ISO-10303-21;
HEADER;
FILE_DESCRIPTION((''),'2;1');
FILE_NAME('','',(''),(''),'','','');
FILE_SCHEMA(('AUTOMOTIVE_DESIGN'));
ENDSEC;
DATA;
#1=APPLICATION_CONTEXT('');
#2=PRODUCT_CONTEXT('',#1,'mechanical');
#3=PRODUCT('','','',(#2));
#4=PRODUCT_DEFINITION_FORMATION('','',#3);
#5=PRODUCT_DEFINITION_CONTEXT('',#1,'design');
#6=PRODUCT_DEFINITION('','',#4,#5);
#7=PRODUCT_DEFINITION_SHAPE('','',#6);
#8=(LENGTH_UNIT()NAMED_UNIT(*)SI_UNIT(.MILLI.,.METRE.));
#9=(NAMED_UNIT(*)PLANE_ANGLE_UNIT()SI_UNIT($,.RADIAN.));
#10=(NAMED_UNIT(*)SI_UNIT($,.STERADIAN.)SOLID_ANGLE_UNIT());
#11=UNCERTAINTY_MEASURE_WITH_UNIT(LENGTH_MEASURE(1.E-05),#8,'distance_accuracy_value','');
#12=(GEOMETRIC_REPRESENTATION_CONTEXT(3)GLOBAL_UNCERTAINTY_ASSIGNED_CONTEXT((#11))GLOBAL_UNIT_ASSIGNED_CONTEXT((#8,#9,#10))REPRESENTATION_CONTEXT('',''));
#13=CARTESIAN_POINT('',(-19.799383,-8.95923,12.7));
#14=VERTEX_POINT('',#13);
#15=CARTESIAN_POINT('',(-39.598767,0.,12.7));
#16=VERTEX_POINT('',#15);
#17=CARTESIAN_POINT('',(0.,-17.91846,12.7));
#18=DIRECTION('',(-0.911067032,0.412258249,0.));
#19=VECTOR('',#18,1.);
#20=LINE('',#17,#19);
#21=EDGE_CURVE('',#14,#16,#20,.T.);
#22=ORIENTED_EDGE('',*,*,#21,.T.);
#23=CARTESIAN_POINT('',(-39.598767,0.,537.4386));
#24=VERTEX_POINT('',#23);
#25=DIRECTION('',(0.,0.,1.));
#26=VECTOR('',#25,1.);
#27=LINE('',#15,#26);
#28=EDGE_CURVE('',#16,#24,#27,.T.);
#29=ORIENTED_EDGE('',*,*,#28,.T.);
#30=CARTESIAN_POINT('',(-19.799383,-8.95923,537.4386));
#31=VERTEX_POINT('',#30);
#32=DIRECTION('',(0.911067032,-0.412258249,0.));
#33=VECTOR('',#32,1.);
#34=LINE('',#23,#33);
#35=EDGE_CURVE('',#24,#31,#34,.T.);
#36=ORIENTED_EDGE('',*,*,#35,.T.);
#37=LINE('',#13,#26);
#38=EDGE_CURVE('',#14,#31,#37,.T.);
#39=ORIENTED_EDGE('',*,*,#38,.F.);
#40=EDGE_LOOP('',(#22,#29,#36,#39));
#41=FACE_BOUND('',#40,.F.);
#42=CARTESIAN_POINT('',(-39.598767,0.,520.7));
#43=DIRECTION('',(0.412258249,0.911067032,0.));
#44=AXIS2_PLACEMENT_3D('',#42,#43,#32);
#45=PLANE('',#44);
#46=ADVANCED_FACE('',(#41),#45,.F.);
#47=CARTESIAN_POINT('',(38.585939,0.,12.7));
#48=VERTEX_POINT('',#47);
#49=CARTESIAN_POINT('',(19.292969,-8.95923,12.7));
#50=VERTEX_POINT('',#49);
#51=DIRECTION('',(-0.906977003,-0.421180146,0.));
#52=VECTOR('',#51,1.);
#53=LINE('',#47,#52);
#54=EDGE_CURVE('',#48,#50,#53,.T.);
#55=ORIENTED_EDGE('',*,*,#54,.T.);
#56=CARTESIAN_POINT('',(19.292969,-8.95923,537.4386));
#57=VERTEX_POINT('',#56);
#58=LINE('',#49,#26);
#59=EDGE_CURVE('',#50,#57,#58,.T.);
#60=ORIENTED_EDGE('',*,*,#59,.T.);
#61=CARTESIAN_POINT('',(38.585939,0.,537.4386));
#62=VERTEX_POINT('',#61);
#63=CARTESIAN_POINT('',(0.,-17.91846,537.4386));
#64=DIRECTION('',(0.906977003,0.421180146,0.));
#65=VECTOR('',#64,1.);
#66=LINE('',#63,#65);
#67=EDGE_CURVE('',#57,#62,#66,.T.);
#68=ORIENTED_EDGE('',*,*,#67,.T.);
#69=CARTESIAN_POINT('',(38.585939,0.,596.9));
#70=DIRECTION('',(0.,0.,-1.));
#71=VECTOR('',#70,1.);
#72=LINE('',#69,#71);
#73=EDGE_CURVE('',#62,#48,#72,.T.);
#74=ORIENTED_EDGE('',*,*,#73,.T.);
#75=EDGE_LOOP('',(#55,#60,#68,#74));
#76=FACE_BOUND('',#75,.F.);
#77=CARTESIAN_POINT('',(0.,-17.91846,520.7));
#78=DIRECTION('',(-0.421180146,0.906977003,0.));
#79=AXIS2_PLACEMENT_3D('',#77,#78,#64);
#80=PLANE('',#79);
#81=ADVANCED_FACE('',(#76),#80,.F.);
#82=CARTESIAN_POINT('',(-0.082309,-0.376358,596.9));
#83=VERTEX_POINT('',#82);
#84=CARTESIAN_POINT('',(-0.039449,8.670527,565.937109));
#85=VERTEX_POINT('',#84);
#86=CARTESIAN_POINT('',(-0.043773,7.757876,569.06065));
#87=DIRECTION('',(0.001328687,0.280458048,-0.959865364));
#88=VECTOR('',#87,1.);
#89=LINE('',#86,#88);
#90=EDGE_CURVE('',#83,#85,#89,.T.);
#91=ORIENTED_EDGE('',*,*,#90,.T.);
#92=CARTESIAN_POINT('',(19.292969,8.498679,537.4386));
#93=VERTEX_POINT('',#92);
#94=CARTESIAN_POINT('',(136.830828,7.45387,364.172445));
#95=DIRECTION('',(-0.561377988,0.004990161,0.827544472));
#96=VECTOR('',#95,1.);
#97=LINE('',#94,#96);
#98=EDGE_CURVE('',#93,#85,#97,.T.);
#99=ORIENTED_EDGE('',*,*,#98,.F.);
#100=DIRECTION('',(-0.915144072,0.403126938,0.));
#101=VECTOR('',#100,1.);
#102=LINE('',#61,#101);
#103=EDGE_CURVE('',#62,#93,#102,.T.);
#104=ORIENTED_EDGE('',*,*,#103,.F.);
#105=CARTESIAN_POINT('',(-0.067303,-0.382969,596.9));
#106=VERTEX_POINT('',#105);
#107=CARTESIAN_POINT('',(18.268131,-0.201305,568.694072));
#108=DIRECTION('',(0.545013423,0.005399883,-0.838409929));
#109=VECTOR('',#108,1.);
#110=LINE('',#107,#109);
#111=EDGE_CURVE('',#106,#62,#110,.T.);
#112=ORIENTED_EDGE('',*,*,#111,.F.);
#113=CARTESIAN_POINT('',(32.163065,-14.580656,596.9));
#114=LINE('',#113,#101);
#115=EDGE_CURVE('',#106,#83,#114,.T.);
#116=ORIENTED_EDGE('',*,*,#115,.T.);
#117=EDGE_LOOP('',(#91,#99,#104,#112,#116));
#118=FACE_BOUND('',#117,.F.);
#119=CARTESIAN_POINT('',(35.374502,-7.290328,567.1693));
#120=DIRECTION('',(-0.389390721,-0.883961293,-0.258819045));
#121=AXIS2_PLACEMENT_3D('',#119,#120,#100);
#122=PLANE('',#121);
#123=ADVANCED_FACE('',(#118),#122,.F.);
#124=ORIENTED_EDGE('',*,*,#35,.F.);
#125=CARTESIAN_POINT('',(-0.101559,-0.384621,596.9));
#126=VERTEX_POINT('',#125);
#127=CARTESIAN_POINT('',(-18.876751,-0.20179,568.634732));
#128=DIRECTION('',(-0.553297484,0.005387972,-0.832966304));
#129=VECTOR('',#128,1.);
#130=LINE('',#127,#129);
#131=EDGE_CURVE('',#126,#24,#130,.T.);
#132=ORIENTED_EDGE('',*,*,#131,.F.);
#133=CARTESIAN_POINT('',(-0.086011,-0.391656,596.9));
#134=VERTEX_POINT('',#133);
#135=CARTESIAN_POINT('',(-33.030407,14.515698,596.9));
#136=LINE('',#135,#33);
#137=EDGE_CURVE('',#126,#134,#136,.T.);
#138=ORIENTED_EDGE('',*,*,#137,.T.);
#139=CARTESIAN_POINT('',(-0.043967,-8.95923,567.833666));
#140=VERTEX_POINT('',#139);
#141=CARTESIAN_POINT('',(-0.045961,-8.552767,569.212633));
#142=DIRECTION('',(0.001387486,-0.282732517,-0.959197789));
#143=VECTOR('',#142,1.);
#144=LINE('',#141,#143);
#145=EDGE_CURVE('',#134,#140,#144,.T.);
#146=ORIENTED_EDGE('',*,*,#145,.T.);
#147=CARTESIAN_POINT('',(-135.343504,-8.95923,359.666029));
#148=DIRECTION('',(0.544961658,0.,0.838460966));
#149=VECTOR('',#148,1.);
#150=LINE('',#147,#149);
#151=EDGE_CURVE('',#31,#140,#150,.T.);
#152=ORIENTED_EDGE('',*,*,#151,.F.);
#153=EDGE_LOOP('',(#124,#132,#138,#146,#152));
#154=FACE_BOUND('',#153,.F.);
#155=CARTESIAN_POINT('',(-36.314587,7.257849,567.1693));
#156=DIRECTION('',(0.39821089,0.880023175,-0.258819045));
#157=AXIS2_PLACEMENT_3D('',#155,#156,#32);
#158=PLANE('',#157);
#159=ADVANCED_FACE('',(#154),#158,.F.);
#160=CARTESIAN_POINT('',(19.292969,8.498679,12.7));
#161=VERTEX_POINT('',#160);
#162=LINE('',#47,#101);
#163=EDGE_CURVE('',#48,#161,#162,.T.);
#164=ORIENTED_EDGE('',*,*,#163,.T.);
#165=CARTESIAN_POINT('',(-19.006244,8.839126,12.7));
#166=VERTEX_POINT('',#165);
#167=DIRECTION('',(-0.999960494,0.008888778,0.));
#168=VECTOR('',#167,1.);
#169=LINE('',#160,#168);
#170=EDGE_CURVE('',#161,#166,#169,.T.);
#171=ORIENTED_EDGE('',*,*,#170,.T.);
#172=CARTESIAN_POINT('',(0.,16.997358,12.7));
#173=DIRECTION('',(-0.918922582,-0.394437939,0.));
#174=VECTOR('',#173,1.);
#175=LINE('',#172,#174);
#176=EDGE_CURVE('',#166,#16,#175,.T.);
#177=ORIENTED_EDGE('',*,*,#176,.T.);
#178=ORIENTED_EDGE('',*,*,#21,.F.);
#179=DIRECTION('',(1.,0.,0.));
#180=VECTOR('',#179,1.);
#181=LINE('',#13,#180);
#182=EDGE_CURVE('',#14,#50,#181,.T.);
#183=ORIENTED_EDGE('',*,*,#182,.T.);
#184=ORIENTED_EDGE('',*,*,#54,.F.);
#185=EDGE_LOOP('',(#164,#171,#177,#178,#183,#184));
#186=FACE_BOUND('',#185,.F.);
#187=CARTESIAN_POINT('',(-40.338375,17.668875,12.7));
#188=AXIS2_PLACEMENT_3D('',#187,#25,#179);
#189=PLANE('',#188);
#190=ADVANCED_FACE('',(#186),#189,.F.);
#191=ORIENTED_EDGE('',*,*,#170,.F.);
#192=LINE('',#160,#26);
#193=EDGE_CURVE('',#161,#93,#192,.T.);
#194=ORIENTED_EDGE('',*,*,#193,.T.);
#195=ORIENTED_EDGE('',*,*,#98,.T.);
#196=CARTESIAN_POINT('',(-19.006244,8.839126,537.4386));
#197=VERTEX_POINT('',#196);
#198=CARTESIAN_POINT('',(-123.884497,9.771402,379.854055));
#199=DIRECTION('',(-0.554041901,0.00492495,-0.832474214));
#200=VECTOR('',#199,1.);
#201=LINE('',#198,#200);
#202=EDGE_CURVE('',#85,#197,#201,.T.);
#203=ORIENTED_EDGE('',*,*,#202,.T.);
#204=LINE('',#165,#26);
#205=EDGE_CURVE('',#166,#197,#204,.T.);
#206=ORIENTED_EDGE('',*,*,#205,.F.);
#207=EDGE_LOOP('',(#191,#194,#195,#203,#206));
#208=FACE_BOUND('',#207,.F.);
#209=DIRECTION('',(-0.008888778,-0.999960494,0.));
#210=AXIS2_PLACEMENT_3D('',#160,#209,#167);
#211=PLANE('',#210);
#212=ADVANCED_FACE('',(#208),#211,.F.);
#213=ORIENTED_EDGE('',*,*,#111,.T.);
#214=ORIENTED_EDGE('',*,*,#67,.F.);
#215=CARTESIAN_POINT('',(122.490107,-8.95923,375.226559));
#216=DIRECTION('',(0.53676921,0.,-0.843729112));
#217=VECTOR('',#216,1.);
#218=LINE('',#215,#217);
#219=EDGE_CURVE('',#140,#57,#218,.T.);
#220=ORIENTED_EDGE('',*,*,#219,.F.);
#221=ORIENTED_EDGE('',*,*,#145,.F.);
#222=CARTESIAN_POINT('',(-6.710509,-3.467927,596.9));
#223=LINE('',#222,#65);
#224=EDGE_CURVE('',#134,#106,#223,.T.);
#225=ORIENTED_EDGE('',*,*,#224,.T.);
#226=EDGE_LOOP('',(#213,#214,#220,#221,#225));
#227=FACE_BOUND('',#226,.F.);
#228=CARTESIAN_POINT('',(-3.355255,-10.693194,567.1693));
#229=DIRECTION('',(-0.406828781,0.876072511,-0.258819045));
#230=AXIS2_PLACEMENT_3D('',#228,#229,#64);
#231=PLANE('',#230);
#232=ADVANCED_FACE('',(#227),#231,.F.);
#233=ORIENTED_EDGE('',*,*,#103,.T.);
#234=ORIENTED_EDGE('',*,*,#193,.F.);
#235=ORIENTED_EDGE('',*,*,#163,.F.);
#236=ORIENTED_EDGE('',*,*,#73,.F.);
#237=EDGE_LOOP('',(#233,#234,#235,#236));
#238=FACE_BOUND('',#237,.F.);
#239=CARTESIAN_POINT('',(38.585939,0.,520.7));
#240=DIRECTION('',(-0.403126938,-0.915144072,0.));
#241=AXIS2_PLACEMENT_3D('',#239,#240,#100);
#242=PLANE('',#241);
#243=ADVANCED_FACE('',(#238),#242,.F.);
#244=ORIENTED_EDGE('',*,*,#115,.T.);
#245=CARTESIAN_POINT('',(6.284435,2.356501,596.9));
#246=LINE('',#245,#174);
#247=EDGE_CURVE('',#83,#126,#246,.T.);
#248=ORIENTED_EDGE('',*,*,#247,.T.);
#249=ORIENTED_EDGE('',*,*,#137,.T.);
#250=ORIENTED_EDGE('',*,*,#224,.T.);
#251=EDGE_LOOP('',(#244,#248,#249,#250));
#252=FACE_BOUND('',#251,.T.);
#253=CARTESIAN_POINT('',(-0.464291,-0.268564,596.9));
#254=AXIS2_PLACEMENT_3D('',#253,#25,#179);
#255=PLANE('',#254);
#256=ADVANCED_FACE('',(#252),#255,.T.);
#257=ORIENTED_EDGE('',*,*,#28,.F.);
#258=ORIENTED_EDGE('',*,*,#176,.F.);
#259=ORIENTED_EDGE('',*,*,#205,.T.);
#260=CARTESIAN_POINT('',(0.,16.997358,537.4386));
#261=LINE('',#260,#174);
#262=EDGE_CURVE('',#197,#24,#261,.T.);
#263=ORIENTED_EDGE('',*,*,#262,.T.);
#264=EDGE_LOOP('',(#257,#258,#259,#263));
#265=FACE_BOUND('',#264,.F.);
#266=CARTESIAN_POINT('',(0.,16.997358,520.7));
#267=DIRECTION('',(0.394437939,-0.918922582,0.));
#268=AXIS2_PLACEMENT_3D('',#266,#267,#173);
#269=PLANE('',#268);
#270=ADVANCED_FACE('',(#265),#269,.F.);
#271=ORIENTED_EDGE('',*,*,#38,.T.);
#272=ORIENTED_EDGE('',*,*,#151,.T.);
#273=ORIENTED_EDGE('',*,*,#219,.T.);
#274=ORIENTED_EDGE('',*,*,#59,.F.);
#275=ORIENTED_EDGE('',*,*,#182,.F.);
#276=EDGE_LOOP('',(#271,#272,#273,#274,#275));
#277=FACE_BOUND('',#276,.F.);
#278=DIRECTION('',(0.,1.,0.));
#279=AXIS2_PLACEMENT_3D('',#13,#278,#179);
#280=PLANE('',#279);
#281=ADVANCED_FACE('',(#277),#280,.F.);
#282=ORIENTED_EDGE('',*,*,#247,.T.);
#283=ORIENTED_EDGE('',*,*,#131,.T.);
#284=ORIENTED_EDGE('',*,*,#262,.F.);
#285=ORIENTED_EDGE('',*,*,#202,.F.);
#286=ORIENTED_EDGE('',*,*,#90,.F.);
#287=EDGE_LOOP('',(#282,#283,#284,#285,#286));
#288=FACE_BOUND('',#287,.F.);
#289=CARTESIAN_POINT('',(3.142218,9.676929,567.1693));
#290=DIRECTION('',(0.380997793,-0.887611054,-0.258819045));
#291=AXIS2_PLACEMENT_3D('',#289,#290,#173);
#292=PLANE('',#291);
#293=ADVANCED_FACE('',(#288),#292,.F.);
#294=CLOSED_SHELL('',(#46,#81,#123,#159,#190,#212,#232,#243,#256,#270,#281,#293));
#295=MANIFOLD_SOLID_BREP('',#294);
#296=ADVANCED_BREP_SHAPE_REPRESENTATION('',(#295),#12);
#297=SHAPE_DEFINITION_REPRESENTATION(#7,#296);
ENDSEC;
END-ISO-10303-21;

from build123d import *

# Parameters (mm, degrees)
F0_W      = 79.5655027032
F0_H      = 36.2267494202
F1_DEPTH  = 12.7
F2_DEPTH  = 12.7
F4_DEPTH  = 508
F7_DEPTH  = 76.2
F8_SIZE2  = 59.4614
F8_SIZE   = 15.9326341108
F9_DEPTH  = 25.4
F10_DEPTH = 25.4
F12_DEPTH = 990.6


with BuildPart() as f1:
    # F0 (on Top) → F1 (new body)
    with BuildSketch(Plane.XY):
        with Locations((-0.5556233227, -0.4444997758)):
            Rectangle(F0_W, F0_H)
    extrude(amount=F1_DEPTH)

    # F2 (add): a face of the model
    f2_faces = [f1.faces().sort_by_distance(p)[0] for p in [
        (-0.5556233227, -0.4444997758, 0),
    ]]
    extrude(f2_faces, amount=F2_DEPTH)

    # F3 (on face) → F4 (join)
    with BuildSketch(Plane.XY.offset(12.7)):
        Polygon((-39.5987667143, 0), (0, -17.9184600711), (38.5859385133, 0), (0, 16.9973578304), align=None)
    extrude(amount=F4_DEPTH)

    # F5 (on face) → F7 (join)
    with BuildSketch(Plane.XY.offset(520.7)):
        Polygon((0, 16.9973578304), (-39.5987667143, 0), (0, -17.9184600711), (38.5859385133, 0), align=None)
    extrude(amount=F7_DEPTH)

    # F8
    f8_edges = [f1.edges().sort_by_distance(p)[0] for p in [
        (-19.799383, 8.498679, 596.9),
        (-19.799383, -8.95923, 596.9),
        (19.292969, -8.95923, 596.9),
        (19.292969, 8.498679, 596.9),
    ]]
    f8_side = f1.faces().sort_by_distance((-0.337609, -0.307034, 596.9))[0]
    chamfer(f8_edges, length=F8_SIZE, length2=F8_SIZE2, reference=f8_side)

    # F9 (cut): a face of the model
    f9_faces = [f1.faces().sort_by_distance(p)[0] for p in [
        (-0.5556233227, 17.6688749343, 0),
    ]]
    extrude(f9_faces, amount=-F9_DEPTH, mode=Mode.SUBTRACT)

    # F10 (cut): a face of the model
    f10_faces = [f1.faces().sort_by_distance(p)[0] for p in [
        (-0.5556233227, -18.5578744859, 0),
    ]]
    extrude(f10_faces, amount=-F10_DEPTH, mode=Mode.SUBTRACT)

    # F11 (on face) → F12 (cut)
    with BuildSketch(Plane(origin=(0, 0, 12.7), x_dir=(1, 0, 0), z_dir=(0, 0, -1))):
        Polygon((19.2929692566, -8.4986789152), (-19.0062443799, -8.8391255534), (0, -16.9973578304), align=None)
        Polygon((0, 17.9184600711), (-19.7993833572, 8.9592300355), (19.2929692566, 8.9592300355), align=None)
    extrude(amount=-F12_DEPTH, mode=Mode.SUBTRACT)


solid = f1.part
